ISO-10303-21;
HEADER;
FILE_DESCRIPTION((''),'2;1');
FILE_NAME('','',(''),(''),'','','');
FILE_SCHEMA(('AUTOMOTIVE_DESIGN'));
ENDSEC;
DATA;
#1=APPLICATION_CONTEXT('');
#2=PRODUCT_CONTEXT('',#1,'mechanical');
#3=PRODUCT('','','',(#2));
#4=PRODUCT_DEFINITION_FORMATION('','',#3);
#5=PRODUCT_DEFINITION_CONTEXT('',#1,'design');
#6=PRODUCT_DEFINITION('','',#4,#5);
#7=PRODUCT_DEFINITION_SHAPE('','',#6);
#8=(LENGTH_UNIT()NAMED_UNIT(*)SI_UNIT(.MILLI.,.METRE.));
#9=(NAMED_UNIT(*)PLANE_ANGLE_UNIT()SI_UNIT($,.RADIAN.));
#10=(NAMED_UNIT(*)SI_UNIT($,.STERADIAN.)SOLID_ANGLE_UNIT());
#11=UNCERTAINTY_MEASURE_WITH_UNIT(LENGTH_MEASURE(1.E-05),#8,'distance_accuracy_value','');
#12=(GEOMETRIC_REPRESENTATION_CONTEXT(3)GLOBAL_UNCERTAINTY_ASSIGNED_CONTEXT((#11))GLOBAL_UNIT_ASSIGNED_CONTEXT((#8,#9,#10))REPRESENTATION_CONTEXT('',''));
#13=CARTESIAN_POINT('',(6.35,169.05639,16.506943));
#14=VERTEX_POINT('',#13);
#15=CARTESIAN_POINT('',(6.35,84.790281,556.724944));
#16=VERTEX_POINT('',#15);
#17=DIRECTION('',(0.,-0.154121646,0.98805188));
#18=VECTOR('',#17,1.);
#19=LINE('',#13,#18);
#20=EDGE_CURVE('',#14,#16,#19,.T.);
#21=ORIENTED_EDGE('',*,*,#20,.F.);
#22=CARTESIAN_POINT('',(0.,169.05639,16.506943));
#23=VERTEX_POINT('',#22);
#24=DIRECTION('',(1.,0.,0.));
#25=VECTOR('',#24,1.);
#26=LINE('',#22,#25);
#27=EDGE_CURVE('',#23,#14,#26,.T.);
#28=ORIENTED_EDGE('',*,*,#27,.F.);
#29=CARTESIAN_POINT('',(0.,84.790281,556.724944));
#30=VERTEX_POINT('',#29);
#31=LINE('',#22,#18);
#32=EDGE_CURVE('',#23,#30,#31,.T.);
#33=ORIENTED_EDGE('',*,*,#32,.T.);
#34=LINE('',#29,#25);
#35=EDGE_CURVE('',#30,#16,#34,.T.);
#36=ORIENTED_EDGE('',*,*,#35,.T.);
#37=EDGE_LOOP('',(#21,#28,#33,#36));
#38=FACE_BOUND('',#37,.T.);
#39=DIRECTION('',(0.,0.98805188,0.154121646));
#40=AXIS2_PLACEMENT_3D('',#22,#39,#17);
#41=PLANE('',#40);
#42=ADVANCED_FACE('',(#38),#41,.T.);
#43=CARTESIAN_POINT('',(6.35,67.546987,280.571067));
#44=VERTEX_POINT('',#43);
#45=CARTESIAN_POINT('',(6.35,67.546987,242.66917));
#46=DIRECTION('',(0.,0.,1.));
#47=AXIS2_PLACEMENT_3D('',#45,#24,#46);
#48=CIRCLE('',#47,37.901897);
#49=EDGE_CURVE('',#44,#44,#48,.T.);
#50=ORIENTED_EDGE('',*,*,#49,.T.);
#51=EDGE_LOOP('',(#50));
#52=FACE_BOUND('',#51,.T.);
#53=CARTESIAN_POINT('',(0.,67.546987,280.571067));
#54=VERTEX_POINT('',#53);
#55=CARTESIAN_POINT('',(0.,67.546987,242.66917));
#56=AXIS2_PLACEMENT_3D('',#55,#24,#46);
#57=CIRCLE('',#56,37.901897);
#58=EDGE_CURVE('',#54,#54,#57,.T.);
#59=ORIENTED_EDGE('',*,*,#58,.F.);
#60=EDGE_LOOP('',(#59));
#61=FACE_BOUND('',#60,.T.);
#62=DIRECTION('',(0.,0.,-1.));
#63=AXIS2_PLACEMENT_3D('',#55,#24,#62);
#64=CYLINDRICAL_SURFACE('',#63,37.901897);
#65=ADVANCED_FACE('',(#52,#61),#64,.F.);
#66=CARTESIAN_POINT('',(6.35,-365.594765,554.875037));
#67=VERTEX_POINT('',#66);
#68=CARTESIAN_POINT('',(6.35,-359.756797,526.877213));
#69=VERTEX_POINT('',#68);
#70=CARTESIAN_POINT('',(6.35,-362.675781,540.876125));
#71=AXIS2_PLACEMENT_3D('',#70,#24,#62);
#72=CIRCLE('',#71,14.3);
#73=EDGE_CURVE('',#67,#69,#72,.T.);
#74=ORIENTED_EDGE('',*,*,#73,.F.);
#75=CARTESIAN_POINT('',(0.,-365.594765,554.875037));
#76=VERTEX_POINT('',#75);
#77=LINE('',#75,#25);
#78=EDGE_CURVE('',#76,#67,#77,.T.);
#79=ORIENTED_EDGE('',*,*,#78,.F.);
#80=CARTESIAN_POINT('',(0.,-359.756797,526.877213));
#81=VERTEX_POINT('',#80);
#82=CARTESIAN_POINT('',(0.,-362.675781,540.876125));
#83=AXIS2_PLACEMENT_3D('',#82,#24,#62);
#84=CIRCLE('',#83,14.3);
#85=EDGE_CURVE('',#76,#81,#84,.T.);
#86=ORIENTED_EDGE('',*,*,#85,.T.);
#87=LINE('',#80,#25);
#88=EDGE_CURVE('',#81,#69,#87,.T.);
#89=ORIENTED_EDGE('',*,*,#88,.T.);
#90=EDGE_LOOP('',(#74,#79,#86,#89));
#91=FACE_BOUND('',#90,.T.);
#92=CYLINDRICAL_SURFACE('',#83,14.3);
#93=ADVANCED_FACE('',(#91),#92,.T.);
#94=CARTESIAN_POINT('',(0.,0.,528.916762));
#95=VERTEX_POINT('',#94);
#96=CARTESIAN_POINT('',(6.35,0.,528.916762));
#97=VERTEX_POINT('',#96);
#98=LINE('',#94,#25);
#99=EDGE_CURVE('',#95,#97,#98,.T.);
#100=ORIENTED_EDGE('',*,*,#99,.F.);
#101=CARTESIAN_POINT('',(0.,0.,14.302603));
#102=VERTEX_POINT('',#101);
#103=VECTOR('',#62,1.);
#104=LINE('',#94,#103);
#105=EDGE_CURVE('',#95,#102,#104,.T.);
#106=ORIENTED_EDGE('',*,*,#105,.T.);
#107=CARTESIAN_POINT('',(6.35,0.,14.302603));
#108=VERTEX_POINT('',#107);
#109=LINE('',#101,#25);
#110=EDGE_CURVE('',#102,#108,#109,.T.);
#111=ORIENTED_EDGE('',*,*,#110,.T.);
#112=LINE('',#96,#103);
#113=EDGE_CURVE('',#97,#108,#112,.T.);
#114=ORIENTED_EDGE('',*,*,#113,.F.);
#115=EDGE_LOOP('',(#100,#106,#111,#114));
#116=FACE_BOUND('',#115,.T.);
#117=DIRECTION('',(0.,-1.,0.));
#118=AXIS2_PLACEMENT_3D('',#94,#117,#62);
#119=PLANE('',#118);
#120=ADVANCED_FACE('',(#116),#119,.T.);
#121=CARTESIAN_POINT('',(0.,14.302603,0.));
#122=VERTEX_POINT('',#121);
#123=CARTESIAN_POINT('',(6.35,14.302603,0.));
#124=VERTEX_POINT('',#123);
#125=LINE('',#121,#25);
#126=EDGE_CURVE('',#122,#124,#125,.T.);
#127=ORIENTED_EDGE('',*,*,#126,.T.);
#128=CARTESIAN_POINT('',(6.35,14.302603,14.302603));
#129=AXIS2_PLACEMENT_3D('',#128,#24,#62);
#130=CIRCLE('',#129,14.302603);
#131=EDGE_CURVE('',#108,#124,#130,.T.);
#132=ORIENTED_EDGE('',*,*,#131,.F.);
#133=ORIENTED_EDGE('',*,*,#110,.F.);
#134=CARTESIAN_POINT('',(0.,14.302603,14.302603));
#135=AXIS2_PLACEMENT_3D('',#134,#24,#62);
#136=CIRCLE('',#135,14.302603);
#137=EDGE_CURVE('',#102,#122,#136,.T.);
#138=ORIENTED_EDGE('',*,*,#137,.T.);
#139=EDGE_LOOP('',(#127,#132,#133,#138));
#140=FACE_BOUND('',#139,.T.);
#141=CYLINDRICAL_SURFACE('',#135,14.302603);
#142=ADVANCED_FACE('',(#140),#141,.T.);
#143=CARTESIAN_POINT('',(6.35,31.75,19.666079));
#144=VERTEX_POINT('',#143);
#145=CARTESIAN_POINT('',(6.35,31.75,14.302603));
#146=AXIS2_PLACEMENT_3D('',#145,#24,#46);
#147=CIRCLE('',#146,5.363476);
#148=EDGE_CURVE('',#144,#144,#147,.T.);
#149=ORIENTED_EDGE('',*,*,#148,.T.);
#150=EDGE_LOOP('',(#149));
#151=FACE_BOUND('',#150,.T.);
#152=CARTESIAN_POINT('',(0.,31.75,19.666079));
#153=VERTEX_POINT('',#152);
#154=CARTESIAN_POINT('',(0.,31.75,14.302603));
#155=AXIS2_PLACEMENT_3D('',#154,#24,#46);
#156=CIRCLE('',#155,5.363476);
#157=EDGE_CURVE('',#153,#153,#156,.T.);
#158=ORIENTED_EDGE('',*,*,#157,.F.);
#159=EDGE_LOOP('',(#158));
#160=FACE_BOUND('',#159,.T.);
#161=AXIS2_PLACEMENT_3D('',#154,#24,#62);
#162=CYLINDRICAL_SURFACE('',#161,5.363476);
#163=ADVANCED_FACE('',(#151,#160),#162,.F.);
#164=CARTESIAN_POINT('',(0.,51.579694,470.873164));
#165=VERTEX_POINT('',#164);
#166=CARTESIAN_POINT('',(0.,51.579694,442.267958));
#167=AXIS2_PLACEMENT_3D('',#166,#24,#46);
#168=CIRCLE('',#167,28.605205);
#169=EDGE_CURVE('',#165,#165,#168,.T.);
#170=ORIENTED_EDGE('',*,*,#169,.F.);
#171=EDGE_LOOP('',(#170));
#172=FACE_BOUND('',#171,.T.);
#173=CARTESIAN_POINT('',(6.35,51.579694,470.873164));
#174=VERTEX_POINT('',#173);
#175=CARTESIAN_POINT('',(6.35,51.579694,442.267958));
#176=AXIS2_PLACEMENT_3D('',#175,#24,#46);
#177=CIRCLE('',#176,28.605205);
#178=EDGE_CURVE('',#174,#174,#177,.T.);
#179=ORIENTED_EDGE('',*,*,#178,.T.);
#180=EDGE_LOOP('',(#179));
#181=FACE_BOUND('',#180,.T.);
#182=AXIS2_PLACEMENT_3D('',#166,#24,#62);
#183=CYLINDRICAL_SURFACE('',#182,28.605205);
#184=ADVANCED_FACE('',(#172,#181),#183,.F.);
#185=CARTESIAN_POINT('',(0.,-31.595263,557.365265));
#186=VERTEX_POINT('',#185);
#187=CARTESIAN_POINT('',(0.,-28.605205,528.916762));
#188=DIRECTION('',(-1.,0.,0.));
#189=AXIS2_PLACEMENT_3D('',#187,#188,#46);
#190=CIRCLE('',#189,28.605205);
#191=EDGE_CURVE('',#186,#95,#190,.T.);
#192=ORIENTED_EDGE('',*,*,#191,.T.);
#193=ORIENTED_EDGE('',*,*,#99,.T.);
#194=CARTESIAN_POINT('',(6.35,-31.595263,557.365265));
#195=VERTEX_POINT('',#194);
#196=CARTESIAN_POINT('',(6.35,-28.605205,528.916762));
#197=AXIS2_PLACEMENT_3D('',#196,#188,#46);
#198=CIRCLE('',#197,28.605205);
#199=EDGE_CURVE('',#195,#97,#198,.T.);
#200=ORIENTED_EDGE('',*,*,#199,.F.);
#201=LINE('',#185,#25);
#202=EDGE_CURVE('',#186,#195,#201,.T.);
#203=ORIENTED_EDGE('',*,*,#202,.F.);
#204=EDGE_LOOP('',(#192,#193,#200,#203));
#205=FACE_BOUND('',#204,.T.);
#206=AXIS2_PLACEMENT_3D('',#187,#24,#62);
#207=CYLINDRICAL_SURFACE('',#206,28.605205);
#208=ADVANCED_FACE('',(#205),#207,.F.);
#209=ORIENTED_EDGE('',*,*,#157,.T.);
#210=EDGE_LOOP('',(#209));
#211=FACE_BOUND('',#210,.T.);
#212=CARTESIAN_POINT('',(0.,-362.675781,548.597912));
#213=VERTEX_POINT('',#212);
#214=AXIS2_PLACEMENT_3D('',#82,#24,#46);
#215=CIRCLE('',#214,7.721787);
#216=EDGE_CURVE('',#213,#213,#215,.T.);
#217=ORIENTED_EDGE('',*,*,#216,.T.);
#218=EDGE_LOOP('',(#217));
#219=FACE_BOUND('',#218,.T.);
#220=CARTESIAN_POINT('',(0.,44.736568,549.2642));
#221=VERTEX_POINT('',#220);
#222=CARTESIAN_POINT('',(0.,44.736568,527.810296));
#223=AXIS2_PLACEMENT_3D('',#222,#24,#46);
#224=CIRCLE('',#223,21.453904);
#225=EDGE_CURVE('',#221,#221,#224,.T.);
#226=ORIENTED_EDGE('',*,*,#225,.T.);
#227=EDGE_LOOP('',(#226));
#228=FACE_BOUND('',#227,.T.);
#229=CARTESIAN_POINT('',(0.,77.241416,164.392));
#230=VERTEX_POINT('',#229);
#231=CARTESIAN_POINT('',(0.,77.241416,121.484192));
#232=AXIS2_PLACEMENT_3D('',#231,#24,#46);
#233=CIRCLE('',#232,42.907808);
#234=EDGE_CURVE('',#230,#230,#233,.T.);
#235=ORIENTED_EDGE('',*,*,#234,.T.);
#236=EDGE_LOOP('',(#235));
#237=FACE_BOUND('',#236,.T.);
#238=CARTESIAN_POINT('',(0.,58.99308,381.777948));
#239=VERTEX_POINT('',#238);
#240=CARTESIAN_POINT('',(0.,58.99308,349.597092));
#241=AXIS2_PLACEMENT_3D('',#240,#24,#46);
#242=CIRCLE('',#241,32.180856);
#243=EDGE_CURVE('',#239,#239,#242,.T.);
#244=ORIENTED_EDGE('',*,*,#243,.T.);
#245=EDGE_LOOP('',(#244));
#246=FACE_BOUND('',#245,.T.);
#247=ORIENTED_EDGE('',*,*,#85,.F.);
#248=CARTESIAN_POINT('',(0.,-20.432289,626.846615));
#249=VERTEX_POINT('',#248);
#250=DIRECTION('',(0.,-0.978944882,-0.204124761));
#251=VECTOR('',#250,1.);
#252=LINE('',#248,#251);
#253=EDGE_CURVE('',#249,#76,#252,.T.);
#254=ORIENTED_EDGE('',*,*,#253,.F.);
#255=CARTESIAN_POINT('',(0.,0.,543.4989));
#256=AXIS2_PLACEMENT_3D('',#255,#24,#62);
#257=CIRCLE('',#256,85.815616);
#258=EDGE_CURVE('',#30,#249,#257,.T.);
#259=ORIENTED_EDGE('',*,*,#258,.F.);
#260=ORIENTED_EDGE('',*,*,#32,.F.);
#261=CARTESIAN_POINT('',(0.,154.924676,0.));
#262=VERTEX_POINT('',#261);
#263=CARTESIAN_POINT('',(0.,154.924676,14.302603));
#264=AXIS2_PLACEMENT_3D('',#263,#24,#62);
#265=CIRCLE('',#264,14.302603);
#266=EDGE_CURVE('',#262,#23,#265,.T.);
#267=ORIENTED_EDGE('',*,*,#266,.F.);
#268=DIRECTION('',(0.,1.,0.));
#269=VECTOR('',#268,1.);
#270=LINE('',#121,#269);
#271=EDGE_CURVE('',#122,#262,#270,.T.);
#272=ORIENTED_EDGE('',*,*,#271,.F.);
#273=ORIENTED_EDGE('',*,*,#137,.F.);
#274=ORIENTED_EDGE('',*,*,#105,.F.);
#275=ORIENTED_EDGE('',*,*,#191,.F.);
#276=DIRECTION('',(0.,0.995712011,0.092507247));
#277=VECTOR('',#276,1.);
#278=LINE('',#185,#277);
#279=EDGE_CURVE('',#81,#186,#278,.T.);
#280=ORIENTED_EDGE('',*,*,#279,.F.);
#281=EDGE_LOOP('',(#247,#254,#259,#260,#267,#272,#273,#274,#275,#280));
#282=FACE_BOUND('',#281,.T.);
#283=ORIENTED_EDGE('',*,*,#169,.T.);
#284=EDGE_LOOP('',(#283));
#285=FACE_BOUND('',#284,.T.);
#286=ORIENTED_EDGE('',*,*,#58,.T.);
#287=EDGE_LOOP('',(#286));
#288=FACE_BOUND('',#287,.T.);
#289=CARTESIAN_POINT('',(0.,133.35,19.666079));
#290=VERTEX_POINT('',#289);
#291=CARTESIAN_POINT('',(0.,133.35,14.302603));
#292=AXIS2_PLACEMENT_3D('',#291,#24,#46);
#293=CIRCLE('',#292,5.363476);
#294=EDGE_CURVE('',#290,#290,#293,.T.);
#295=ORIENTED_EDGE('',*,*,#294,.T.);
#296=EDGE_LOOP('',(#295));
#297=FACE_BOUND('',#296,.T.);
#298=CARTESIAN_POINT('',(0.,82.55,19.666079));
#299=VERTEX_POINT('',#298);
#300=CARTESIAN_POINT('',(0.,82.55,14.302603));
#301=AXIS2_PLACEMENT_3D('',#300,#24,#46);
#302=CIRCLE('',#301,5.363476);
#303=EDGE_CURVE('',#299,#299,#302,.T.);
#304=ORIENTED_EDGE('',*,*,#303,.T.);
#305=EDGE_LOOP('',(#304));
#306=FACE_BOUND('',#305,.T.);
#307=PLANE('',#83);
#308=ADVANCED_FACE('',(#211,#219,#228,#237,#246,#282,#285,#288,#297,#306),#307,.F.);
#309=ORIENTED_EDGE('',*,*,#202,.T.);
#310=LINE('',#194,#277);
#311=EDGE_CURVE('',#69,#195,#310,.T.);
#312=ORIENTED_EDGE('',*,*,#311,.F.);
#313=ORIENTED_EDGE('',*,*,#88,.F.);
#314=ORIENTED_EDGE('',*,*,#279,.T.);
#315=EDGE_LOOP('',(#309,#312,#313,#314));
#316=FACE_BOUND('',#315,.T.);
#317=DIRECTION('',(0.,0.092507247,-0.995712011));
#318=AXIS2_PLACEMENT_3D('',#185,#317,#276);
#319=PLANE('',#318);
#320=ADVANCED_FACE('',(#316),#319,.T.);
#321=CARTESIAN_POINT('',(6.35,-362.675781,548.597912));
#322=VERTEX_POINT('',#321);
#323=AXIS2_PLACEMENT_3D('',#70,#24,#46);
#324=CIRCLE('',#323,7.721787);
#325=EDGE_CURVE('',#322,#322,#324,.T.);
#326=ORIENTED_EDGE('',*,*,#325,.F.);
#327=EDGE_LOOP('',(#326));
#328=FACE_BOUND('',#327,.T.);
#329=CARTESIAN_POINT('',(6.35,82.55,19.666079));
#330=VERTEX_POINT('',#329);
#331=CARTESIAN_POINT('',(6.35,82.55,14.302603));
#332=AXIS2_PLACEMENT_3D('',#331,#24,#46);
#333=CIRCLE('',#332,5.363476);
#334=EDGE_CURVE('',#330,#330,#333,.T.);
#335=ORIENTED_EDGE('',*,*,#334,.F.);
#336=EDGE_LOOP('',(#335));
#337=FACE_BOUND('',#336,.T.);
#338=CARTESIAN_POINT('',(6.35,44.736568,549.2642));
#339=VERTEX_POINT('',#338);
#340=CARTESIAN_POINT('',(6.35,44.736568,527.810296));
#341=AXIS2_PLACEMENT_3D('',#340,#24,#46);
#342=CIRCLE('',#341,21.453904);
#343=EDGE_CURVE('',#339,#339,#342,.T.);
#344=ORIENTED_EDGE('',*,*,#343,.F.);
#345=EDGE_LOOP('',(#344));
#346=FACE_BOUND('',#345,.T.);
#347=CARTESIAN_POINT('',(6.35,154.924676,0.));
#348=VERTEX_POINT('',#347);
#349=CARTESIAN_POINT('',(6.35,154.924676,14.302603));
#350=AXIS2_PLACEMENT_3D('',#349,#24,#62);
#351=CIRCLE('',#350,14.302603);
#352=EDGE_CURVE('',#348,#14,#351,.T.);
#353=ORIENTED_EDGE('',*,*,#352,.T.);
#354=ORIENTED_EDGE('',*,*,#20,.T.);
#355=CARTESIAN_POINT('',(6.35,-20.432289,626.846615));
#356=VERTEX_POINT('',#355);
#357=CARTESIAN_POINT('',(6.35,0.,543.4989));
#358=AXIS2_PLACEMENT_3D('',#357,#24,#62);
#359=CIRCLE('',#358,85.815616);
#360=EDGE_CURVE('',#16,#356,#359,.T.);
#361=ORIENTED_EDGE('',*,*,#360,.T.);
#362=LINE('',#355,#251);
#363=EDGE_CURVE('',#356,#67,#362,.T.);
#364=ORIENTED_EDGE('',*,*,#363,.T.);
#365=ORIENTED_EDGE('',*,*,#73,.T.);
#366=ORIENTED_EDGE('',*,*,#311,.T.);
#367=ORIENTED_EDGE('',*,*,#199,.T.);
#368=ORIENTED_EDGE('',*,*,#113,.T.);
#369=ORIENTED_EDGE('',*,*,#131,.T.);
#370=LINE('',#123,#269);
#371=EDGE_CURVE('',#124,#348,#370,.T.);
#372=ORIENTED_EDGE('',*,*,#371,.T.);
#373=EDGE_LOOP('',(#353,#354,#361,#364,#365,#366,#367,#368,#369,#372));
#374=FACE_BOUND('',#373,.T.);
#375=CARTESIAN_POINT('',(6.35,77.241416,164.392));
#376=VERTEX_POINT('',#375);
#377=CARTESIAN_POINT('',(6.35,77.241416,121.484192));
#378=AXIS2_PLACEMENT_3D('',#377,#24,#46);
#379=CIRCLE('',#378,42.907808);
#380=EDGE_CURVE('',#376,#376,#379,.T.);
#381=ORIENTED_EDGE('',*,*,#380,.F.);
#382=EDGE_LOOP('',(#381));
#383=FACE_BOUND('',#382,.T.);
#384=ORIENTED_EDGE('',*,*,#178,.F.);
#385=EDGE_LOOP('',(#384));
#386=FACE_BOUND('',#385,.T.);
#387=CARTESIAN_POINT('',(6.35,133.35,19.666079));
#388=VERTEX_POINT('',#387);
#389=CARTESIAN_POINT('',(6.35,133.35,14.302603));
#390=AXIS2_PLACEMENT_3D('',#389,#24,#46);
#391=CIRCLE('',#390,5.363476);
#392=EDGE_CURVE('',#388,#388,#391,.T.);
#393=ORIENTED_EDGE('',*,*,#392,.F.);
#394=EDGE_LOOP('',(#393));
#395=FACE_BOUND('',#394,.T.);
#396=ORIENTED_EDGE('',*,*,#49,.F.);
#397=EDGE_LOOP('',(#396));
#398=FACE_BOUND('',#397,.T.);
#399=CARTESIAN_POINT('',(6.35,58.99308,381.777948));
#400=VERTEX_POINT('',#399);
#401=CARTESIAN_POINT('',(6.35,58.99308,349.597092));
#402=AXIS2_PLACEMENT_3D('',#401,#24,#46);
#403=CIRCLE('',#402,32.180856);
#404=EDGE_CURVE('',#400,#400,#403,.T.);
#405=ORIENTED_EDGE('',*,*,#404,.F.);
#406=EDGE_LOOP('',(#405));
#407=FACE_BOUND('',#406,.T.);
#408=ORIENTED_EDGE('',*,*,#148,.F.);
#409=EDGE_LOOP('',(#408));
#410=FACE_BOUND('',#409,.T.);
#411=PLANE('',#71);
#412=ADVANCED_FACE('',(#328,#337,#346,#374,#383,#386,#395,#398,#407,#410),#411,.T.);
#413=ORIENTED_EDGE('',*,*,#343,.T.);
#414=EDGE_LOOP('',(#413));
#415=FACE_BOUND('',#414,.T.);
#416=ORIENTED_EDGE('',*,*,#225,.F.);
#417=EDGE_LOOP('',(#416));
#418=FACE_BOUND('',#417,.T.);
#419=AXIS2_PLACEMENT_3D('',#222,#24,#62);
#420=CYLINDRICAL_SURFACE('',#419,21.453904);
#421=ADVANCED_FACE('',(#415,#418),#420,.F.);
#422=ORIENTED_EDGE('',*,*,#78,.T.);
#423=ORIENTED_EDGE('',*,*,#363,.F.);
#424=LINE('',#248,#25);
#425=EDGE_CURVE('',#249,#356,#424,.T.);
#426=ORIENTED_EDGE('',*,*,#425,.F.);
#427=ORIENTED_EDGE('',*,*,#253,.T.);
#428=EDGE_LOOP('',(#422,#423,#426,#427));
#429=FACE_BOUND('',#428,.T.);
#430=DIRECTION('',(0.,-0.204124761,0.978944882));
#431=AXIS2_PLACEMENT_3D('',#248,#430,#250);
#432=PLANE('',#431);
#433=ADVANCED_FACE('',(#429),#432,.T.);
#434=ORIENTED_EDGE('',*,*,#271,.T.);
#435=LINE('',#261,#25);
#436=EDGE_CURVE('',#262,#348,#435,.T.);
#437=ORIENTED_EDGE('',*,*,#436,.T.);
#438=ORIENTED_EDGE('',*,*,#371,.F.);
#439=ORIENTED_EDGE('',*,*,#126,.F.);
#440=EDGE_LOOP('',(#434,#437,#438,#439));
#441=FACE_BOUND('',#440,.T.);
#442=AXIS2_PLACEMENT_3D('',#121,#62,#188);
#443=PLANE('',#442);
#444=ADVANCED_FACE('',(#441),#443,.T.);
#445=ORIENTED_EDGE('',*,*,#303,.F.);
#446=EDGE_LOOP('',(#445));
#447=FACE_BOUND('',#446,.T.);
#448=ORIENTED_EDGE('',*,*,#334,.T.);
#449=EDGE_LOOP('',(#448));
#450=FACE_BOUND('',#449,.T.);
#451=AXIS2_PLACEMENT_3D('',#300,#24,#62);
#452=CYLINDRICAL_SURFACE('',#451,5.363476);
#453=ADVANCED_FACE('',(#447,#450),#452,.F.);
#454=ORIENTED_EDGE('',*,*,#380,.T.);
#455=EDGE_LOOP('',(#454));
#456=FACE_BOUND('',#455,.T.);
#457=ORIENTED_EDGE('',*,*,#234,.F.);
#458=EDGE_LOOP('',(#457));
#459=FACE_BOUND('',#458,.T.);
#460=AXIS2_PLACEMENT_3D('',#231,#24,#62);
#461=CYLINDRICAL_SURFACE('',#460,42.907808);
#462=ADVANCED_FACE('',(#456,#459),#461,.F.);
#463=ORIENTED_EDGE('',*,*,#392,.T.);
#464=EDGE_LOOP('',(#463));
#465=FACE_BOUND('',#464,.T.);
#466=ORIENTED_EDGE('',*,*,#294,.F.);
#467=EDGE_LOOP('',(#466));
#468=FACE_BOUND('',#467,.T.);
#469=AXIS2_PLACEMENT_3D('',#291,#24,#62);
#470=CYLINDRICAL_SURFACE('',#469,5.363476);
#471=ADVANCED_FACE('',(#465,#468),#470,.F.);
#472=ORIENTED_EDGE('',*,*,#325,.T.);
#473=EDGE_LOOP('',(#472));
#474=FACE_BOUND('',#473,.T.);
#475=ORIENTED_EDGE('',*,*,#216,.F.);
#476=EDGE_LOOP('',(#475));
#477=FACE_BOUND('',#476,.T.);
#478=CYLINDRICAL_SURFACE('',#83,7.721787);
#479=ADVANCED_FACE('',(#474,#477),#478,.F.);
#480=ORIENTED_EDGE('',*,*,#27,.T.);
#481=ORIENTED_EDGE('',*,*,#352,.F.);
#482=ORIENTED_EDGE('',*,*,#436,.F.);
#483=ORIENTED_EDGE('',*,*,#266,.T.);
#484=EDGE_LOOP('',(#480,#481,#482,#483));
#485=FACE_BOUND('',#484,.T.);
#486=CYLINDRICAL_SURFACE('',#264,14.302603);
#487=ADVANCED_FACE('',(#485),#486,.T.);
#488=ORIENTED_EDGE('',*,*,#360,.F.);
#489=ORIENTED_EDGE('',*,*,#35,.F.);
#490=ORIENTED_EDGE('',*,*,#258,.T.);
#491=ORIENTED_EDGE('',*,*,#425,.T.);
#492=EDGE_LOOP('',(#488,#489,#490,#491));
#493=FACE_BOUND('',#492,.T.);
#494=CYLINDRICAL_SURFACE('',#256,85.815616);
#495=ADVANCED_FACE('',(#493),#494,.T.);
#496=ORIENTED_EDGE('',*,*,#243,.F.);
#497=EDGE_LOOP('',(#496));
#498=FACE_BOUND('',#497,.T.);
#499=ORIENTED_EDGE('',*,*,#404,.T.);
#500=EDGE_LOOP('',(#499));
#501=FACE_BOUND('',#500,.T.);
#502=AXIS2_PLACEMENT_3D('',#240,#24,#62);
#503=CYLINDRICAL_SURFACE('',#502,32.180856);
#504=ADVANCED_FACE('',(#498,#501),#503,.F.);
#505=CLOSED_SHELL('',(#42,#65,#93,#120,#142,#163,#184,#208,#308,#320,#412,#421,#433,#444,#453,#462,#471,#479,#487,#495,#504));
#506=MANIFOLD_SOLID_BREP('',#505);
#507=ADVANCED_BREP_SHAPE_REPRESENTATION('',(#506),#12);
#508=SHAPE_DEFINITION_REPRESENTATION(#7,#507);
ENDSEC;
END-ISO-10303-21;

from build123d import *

# Parameters (mm, degrees)
SKETCH1_R           = 21.453903958
SKETCH1_R_2         = 28.605205278
SKETCH1_R_3         = 32.180855938
SKETCH1_R_4         = 37.901896993
SKETCH1_R_5         = 42.907807917
SKETCH1_R_6         = 5.36347599
SKETCH1_R_7         = 7.721787304
BOSS_EXTRUDE1_DEPTH = 6.35


with BuildPart() as part:
    # Sketch1 → Boss-Extrude1 (new body)
    with BuildSketch(Plane(origin=(6.35, 0, 0), x_dir=(0, 0, -1), z_dir=(1, 0, 0))):
        with BuildLine():
            Line((0, 14.302602639), (0, 154.924676439))
            ThreePointArc((0, 154.924676439), (-5.001080355, 165.789579819), (-16.506943305, 169.05638987))
            Line((-16.506943305, 169.05638987), (-556.724944278, 84.790280581))
            ThreePointArc((-556.724944278, 84.790280581), (-614.910173951, 47.589388665), (-626.846614509, -20.432289484))
            Line((-626.846614509, -20.432289484), (-554.875036537, -365.59476496))
            ThreePointArc((-554.875036537, -365.59476496), (-537.95714064, -376.674692686), (-526.877212914, -359.756796789))
            Line((-526.877212914, -359.756796789), (-557.365265272, -31.595263427))
            ThreePointArc((-557.365265272, -31.595263427), (-550.174572585, -9.464586925), (-528.916762301, 0))
            Line((-528.916762301, 0), (-14.302602639, 0))
            ThreePointArc((-14.302602639, 0), (-4.189135324, 4.189135324), (0, 14.302602639))
        make_face()
        with Locations((-527.810296047, 44.736567742)):
            Circle(SKETCH1_R, mode=Mode.SUBTRACT)
        with Locations((-442.267958292, 51.579693661)):
            Circle(SKETCH1_R_2, mode=Mode.SUBTRACT)
        with Locations((-349.597092391, 58.993080074)):
            Circle(SKETCH1_R_3, mode=Mode.SUBTRACT)
        with Locations((-242.669170198, 67.546987473)):
            Circle(SKETCH1_R_4, mode=Mode.SUBTRACT)
        with Locations((-121.484191712, 77.241415858)):
            Circle(SKETCH1_R_5, mode=Mode.SUBTRACT)
        with Locations((-14.302602639, 133.35)):
            Circle(SKETCH1_R_6, mode=Mode.SUBTRACT)
        with Locations((-14.302602639, 82.55)):
            Circle(SKETCH1_R_6, mode=Mode.SUBTRACT)
        with Locations((-14.302602639, 31.75)):
            Circle(SKETCH1_R_6, mode=Mode.SUBTRACT)
        with Locations((-540.876124725, -362.675780874)):
            Circle(SKETCH1_R_7, mode=Mode.SUBTRACT)
    extrude(amount=-BOSS_EXTRUDE1_DEPTH)


solid = part.part
